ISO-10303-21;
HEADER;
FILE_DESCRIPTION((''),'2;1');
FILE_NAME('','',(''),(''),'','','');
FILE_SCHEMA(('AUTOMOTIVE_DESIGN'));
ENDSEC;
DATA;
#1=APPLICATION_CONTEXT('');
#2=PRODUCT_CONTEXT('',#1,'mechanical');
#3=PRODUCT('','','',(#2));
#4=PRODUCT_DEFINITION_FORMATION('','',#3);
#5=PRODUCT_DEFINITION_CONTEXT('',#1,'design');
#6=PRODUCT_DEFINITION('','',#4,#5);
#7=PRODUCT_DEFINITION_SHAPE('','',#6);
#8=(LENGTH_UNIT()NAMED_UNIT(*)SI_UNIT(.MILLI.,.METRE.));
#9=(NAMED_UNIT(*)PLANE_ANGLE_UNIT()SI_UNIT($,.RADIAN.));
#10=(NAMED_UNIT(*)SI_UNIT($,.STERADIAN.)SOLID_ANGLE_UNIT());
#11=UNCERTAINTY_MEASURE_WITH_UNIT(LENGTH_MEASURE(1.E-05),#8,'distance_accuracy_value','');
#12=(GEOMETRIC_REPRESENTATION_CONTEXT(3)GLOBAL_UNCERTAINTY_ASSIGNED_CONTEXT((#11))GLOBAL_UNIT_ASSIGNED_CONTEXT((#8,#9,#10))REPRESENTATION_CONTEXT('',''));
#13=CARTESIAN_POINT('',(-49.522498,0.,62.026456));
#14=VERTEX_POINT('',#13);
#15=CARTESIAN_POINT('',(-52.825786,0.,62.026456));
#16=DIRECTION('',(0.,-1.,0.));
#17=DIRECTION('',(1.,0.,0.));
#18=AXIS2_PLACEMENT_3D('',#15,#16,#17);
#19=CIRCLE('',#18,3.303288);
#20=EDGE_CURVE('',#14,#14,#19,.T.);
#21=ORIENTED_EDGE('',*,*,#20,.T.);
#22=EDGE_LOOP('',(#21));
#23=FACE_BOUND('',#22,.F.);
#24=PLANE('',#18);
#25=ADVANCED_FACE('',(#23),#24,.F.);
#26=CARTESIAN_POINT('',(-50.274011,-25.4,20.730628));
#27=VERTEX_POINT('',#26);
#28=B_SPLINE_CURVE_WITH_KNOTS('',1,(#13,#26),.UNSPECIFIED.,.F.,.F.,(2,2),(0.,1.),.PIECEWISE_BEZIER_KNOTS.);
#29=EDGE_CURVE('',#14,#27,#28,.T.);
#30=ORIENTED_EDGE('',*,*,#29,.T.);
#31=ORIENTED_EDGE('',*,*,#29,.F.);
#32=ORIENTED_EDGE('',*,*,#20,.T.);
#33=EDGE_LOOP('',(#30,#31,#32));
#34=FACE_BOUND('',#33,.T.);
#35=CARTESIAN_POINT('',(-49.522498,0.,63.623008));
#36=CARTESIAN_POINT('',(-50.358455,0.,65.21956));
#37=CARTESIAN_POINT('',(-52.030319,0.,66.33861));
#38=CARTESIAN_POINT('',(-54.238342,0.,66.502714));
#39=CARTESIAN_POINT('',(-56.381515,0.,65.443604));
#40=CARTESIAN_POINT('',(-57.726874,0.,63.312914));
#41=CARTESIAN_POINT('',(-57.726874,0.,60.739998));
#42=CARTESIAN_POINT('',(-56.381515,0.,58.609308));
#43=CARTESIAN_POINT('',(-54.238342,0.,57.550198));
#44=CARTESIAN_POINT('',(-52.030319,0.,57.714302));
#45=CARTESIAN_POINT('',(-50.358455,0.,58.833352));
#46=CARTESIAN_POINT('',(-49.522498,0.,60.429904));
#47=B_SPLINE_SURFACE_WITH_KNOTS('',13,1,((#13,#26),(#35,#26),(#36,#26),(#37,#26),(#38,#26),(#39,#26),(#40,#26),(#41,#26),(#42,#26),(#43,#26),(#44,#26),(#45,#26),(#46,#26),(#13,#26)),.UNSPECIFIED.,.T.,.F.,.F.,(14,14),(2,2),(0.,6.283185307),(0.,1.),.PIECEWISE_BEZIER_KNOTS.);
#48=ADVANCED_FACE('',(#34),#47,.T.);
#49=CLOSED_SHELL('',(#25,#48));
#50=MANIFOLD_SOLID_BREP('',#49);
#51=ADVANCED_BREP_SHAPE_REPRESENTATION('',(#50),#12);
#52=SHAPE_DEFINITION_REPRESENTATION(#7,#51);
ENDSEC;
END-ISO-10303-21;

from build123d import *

# Parameters (mm, degrees)
F0_R = 3.303288


with BuildPart() as f3:
    # F0 (on Front) → F3 section 0
    with BuildSketch(Plane.XZ, mode=Mode.PRIVATE) as f3_s0:
        with Locations((-52.825786, 62.026456)):
            Circle(F0_R)
    loft([f3_s0.sketch, Vertex(-50.274011, -25.4, 20.730628)])


solid = f3.part
